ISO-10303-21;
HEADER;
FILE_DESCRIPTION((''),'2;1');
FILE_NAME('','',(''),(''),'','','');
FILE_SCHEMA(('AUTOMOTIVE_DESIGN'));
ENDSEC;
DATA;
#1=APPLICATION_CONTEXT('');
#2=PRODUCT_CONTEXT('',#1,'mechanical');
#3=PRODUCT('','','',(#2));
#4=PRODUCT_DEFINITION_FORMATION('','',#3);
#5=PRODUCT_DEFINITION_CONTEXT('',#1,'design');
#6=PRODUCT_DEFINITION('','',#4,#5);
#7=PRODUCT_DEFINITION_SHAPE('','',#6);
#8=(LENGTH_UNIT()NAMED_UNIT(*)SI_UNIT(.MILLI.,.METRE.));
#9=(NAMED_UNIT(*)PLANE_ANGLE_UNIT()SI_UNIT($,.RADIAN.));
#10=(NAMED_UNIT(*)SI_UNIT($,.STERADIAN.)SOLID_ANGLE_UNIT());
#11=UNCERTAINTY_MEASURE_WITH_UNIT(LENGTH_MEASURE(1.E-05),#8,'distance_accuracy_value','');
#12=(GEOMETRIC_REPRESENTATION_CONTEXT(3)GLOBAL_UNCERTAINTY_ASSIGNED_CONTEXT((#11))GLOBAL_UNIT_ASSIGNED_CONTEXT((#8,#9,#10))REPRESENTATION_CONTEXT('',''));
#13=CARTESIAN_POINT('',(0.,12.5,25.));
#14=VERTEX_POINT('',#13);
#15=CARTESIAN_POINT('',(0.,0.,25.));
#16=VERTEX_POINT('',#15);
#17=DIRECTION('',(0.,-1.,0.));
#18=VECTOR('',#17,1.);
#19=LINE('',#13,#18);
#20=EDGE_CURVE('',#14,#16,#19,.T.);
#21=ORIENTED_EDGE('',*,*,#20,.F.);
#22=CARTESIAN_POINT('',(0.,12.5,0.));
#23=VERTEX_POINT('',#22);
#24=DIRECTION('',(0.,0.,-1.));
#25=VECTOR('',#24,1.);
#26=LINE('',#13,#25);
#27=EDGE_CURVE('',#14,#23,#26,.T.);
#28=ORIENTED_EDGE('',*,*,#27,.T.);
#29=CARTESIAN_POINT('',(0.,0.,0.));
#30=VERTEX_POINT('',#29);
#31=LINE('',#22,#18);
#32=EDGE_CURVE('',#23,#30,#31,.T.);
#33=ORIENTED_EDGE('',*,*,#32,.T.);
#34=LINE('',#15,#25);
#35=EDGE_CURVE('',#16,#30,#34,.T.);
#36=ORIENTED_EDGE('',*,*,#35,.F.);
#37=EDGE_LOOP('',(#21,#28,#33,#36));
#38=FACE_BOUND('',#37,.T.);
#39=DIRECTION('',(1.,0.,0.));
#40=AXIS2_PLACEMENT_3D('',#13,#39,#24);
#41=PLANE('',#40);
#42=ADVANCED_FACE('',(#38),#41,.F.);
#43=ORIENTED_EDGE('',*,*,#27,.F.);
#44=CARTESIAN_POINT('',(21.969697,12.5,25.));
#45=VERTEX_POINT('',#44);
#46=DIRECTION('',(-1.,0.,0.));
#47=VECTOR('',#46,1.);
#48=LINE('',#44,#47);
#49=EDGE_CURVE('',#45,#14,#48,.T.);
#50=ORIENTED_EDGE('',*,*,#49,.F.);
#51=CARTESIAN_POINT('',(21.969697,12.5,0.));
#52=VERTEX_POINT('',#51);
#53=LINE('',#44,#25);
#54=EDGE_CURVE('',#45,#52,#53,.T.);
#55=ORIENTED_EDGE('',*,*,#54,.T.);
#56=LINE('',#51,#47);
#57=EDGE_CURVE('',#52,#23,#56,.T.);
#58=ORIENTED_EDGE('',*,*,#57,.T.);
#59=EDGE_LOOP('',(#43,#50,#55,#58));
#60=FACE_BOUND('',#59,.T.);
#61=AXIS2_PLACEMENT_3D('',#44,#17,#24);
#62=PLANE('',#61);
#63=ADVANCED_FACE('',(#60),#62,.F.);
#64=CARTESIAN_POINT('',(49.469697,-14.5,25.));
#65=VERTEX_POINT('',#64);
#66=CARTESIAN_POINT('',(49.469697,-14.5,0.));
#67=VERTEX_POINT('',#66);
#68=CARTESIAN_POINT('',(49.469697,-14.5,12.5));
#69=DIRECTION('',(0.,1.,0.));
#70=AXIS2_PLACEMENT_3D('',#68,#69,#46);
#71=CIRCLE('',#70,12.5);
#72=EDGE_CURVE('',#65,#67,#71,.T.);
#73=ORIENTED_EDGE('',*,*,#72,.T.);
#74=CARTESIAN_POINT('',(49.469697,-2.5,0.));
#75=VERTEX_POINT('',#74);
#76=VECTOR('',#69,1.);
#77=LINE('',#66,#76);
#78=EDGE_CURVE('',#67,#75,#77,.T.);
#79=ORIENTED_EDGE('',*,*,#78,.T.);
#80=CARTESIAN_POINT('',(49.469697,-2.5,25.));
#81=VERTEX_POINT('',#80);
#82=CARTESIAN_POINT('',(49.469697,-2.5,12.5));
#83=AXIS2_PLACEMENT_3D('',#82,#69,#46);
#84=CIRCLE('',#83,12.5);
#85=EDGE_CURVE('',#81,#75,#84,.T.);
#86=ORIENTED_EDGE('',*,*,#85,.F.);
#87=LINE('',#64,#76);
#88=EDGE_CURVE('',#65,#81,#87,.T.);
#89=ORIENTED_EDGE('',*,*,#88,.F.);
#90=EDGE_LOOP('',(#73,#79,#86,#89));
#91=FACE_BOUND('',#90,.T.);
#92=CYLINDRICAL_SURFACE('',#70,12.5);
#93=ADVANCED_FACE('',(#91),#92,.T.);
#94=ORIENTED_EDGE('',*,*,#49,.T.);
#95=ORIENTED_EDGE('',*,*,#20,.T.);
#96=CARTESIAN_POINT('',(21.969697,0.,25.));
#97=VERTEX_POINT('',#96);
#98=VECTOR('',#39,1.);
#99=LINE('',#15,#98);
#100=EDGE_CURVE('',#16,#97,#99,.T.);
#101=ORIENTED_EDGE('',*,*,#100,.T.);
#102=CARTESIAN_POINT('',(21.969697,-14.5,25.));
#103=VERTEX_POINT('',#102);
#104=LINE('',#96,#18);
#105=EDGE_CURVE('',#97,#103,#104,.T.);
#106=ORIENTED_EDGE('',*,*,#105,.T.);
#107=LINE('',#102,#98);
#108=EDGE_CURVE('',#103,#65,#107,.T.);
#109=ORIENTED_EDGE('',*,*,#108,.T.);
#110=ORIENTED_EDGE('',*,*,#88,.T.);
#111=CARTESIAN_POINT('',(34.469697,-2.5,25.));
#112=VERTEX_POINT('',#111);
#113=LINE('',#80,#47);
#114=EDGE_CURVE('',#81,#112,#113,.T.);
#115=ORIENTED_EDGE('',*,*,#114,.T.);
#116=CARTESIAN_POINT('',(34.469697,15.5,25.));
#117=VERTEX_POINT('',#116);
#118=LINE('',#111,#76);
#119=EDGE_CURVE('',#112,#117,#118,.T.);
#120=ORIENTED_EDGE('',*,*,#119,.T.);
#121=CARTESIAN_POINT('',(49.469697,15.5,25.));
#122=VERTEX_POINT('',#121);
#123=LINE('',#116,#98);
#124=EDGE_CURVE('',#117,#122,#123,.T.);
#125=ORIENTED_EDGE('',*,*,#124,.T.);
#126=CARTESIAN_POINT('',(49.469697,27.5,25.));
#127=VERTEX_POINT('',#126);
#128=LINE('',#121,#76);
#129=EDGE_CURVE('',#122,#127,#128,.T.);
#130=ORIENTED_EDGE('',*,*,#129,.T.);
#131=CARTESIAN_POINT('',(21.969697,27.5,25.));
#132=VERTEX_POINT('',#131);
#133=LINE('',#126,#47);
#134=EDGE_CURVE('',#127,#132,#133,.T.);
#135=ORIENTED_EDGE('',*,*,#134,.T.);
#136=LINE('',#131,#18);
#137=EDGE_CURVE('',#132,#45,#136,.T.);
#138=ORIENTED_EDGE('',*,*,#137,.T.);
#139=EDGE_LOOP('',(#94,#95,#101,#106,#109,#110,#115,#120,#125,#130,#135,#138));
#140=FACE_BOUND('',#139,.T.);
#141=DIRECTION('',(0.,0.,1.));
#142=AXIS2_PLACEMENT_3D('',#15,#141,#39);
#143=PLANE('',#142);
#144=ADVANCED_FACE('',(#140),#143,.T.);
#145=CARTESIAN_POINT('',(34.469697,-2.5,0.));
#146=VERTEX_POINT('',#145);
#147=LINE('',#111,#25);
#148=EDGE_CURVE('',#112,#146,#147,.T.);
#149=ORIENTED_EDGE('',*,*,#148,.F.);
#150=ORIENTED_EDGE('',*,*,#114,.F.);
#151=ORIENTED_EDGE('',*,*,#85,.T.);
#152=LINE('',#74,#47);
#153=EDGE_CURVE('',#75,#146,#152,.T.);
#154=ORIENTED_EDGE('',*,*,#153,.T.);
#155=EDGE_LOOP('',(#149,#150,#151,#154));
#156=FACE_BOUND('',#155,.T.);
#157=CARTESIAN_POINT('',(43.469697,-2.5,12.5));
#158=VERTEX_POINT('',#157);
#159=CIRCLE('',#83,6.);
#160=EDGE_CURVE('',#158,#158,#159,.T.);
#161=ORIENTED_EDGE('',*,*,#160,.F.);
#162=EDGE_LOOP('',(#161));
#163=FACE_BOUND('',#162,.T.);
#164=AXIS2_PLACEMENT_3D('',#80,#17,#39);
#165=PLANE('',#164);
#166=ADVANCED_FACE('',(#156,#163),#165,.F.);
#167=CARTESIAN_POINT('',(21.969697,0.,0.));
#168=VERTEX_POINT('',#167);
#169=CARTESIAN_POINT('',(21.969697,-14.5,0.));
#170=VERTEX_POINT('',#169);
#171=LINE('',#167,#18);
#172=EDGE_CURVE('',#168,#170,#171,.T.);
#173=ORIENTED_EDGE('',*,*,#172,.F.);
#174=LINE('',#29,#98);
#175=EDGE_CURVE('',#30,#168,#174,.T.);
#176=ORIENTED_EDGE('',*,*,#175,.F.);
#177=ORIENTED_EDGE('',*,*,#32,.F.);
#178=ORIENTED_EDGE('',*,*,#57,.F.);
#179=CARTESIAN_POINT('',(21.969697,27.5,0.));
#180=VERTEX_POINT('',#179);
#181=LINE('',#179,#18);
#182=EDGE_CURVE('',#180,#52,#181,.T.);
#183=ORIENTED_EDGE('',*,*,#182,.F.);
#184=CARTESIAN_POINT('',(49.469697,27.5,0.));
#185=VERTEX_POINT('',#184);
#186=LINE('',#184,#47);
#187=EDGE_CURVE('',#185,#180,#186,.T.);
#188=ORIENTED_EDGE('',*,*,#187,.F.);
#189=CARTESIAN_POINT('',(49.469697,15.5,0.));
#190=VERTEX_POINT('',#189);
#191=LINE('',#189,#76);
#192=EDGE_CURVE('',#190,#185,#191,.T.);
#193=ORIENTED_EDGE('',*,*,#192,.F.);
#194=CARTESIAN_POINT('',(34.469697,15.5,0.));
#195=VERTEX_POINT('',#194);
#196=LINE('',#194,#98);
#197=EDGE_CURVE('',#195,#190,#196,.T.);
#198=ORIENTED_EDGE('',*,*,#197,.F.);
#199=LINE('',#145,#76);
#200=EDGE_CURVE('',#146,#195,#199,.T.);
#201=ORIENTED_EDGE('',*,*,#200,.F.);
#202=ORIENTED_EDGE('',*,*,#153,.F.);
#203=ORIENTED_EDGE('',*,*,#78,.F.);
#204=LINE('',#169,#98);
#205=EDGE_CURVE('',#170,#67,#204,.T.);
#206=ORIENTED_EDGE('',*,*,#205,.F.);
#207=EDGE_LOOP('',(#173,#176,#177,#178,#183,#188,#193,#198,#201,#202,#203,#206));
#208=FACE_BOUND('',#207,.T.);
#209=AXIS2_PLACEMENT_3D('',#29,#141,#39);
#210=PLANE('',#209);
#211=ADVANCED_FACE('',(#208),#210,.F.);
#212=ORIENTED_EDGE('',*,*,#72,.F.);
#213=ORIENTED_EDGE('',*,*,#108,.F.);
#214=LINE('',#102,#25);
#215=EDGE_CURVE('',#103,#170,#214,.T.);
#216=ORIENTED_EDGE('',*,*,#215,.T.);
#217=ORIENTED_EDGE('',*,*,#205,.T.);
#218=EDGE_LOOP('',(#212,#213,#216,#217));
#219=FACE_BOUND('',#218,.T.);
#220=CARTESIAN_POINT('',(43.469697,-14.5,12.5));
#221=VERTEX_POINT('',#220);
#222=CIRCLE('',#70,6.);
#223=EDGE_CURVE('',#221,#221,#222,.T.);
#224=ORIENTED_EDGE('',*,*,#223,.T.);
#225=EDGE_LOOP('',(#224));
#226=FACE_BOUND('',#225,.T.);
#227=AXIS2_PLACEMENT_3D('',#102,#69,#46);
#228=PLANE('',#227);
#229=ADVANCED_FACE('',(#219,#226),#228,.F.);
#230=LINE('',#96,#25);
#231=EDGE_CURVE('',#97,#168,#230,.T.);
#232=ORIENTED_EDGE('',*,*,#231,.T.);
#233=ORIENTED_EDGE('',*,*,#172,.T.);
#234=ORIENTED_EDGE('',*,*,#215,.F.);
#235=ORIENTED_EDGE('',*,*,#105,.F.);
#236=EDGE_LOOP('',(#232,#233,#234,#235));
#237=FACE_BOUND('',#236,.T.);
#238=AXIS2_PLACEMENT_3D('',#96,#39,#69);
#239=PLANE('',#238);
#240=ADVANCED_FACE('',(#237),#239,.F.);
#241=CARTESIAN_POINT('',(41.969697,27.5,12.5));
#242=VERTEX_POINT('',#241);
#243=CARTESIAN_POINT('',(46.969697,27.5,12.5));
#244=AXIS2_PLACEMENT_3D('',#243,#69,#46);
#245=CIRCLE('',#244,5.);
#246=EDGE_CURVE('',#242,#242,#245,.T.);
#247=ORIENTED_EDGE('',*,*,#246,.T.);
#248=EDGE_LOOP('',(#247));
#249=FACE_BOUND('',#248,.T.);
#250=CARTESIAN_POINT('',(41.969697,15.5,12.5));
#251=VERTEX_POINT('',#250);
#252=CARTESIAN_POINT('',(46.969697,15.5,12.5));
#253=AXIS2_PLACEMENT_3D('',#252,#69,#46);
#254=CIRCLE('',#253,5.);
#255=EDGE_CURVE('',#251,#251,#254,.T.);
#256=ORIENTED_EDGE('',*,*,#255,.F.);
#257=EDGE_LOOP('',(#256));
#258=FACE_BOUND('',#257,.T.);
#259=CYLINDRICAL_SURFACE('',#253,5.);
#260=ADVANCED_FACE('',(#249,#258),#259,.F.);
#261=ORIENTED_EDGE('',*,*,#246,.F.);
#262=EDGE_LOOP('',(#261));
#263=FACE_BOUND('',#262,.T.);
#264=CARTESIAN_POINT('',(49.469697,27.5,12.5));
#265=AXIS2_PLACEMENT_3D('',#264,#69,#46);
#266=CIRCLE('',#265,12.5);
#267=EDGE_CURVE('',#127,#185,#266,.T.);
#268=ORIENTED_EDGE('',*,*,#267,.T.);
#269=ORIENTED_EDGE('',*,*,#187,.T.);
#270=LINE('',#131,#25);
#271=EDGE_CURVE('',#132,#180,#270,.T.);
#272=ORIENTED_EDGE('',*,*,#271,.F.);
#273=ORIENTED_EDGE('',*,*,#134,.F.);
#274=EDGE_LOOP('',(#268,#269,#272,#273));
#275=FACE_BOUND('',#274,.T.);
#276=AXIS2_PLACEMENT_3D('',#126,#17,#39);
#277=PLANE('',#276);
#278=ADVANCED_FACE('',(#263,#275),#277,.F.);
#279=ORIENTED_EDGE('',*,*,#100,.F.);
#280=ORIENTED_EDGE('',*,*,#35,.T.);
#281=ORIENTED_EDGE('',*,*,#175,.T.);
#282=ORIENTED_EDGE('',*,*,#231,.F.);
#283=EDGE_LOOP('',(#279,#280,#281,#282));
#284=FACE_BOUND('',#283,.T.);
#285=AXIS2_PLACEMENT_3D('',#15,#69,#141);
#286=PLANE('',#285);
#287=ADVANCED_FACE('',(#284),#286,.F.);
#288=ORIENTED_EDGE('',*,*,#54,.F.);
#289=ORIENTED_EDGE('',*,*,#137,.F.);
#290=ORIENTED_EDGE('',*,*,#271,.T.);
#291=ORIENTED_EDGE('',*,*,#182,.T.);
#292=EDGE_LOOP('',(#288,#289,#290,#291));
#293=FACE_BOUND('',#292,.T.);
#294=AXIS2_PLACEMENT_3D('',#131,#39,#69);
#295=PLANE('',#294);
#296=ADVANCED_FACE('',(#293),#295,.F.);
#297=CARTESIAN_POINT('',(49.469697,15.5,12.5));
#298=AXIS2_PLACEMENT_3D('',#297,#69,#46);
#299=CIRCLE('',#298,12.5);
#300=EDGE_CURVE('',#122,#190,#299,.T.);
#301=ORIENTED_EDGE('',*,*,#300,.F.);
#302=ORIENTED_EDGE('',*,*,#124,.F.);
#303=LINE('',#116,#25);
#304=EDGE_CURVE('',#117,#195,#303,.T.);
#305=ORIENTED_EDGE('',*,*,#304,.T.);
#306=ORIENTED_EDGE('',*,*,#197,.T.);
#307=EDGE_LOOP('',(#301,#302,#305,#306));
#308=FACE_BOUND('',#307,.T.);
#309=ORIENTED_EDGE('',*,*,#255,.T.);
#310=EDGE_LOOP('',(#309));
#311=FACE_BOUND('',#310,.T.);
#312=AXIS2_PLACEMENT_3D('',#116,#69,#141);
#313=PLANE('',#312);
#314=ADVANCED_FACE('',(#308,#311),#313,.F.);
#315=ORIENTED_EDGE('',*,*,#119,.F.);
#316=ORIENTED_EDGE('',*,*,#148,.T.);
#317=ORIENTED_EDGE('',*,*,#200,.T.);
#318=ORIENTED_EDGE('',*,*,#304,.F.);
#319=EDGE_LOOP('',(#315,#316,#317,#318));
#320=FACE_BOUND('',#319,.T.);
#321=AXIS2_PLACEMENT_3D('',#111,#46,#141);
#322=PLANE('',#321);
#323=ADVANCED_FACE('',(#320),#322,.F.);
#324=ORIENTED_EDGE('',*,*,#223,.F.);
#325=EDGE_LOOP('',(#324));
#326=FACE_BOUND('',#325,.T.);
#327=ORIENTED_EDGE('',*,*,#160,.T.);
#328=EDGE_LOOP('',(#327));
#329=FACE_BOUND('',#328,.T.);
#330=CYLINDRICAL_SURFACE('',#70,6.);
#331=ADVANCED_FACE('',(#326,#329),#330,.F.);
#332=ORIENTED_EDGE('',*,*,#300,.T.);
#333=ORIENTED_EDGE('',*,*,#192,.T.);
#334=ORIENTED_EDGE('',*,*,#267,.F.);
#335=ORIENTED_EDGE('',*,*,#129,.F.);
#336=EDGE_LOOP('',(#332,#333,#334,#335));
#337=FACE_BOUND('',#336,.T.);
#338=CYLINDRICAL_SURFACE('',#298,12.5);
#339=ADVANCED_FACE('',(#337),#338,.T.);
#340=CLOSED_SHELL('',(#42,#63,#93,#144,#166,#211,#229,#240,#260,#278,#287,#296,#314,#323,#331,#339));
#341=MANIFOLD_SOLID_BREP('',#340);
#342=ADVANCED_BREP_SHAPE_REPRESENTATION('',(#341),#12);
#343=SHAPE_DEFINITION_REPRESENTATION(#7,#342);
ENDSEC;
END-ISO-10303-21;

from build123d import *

# Parameters (mm, degrees)
BOSS_EXTRUDE1_DEPTH = 25
SKETCH2_R           = 12.5
BOSS_EXTRUDE2_DEPTH = 12
SKETCH3_R           = 12.5
BOSS_EXTRUDE3_DEPTH = 12
SKETCH4_R           = 5
CUT_EXTRUDE1_DEPTH  = 12
SKETCH5_R           = 6
CUT_EXTRUDE2_DEPTH  = 12


with BuildPart() as part:
    # Sketch1 → Boss-Extrude1 (new body)
    with BuildSketch(Plane.XY):
        Polygon((0, 0), (21.96969697, 0), (21.96969697, -14.5), (49.46969697, -14.5), (49.46969697, -2.5), (34.46969697, -2.5), (34.46969697, 15.5), (49.46969697, 15.5), (49.46969697, 27.5), (21.96969697, 27.5), (21.96969697, 12.5), (0, 12.5), align=None)
    extrude(amount=BOSS_EXTRUDE1_DEPTH)

    # Sketch2 → Boss-Extrude2 (add)
    with BuildSketch(Plane(origin=(0, 27.5, 0), x_dir=(1, 0, 0), z_dir=(0, 1, 0))):
        with Locations((49.46969697, -12.5)):
            Circle(SKETCH2_R)
    extrude(amount=-BOSS_EXTRUDE2_DEPTH)

    # Sketch3 → Boss-Extrude3 (add)
    with BuildSketch(Plane(origin=(0, -2.5, 0), x_dir=(1, 0, 0), z_dir=(0, 1, 0))):
        with Locations((49.46969697, -12.5)):
            Circle(SKETCH3_R)
    extrude(amount=-BOSS_EXTRUDE3_DEPTH)

    # Sketch4 → Cut-Extrude1 (cut)
    with BuildSketch(Plane(origin=(0, 27.5, 0), x_dir=(1, 0, 0), z_dir=(0, 1, 0))):
        with Locations(Location((46.96969697, -12.5, 0), (0, 0, 180))):
            Circle(SKETCH4_R)
    extrude(amount=-CUT_EXTRUDE1_DEPTH, mode=Mode.SUBTRACT)

    # Sketch5 → Cut-Extrude2 (cut)
    with BuildSketch(Plane(origin=(0, -2.5, 0), x_dir=(1, 0, 0), z_dir=(0, 1, 0))):
        with Locations(Location((49.46969697, -12.5, 0), (0, 0, 180))):
            Circle(SKETCH5_R)
    extrude(amount=-CUT_EXTRUDE2_DEPTH, mode=Mode.SUBTRACT)


solid = part.part
